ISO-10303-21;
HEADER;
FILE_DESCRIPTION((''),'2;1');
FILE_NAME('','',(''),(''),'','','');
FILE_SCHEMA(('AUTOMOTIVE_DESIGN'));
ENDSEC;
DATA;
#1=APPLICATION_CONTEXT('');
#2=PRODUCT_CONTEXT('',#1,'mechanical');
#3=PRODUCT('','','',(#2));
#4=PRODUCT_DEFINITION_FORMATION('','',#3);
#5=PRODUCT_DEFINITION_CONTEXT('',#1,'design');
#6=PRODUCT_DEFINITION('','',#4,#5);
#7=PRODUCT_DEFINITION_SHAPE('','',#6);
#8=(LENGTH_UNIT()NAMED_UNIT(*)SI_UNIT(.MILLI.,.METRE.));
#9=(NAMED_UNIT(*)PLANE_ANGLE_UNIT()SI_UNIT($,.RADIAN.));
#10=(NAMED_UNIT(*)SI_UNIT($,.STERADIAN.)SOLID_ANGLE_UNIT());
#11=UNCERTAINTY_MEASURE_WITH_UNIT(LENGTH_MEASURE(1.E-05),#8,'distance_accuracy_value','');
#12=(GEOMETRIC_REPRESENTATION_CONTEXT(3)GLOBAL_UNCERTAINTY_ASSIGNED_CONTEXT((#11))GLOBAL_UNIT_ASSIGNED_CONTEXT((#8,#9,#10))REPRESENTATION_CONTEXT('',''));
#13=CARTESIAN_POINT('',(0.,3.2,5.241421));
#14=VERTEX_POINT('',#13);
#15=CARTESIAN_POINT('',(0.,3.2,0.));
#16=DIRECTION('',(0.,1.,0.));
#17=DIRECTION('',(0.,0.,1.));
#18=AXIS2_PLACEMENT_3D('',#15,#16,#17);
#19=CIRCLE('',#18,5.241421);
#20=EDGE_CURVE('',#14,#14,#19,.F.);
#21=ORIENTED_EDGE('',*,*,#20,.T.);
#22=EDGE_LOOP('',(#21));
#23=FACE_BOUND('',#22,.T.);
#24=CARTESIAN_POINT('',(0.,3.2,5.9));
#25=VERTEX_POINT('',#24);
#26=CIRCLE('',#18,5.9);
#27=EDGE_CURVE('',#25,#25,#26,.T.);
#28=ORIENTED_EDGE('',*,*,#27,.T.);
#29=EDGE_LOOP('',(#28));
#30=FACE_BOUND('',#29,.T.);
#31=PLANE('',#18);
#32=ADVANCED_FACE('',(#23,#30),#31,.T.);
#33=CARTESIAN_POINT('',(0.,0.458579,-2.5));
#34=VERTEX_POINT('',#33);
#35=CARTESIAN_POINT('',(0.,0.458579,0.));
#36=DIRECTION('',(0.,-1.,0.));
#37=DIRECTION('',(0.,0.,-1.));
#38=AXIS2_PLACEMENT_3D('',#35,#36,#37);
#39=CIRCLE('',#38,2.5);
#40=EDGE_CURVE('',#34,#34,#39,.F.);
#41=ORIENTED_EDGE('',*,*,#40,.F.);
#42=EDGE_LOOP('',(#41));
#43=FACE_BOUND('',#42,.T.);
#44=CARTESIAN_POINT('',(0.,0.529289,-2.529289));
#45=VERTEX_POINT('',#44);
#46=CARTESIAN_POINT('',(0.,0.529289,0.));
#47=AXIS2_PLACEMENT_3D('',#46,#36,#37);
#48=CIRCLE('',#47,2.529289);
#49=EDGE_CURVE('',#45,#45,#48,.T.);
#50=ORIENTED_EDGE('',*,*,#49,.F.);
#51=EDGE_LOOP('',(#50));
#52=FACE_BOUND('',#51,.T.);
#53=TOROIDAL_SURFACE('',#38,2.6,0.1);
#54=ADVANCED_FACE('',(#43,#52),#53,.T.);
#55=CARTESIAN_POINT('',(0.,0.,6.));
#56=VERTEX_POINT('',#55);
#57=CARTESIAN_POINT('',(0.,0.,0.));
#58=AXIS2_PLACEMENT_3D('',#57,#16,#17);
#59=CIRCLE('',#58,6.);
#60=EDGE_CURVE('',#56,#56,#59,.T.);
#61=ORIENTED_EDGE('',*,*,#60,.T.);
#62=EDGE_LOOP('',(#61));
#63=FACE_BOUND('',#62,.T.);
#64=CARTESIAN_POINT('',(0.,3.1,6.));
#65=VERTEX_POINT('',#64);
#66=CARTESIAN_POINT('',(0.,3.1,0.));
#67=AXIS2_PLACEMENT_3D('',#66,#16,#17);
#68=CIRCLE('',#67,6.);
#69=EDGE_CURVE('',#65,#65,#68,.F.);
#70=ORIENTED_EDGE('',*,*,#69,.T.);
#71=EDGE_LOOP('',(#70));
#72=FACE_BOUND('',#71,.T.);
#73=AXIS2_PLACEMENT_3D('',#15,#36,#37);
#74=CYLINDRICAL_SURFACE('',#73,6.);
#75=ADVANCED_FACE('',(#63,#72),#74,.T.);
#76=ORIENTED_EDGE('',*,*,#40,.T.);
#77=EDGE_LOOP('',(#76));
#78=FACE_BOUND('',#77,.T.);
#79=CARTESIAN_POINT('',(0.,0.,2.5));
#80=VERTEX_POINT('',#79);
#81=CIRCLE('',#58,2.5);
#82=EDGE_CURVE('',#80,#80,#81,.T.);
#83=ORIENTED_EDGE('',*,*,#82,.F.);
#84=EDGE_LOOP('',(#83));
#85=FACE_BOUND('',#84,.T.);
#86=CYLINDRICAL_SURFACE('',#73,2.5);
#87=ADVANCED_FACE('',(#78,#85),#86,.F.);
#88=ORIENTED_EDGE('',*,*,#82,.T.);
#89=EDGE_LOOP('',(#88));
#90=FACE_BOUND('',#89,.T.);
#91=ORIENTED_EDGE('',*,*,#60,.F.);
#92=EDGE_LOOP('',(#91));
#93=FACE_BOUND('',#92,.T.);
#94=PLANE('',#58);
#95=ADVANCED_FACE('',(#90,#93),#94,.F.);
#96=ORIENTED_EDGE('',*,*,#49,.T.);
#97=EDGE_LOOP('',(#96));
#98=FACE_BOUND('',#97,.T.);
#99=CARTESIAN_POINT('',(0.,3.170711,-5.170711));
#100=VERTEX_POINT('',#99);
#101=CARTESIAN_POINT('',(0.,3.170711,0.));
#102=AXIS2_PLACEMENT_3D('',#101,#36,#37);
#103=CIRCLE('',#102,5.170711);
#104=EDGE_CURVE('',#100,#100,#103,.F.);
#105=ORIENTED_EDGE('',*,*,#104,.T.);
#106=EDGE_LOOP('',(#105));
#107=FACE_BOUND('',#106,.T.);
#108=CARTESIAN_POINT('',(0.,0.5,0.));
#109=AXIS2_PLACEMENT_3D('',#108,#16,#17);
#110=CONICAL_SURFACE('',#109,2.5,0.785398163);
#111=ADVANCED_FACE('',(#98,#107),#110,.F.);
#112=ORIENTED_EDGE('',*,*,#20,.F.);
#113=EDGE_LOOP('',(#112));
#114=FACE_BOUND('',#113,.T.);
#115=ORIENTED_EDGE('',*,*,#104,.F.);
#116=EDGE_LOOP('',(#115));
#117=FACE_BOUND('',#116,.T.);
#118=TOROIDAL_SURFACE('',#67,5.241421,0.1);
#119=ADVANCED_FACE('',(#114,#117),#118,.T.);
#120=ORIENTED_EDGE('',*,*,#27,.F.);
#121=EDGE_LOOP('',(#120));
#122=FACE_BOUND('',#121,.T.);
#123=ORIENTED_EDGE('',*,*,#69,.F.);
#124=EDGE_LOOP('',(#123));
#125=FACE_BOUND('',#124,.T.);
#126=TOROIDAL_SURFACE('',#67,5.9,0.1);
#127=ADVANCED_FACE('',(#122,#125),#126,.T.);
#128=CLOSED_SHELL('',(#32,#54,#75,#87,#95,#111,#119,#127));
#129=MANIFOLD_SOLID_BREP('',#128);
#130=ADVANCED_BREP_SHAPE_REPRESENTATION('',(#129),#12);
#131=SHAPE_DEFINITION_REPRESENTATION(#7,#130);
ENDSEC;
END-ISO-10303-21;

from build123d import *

# Parameters (mm, degrees)
SKETCH_1_R      = 6
SKETCH_1_R_2    = 2.5
EXTRUDE_1_DEPTH = 3.2
CHAMFER_1_SIZE  = 2.7
FILLET_1_R      = 0.1


with BuildPart() as part:
    # 草图1 → 凸台-拉伸1 (new body)
    with BuildSketch(Plane(origin=(0, 0, 0), x_dir=(1, 0, 0), z_dir=(0, 1, 0))):
        with Locations(Location((0, 0, 0), (0, 0, 270))):
            Circle(SKETCH_1_R)
        with Locations(Location((0, 0, 0), (0, 0, 270))):
            Circle(SKETCH_1_R_2, mode=Mode.SUBTRACT)
    extrude(amount=EXTRUDE_1_DEPTH)

    # 倒角1
    chamfer_1_edges = [part.edges().sort_by_distance(p)[0] for p in [
        (0, 3.2, -2.5),
    ]]
    chamfer(chamfer_1_edges, length=CHAMFER_1_SIZE)

    # 圆角1
    fillet_1_edges = [part.edges().sort_by_distance(p)[0] for p in [
        (0, 3.2, -5.2),
        (0, 3.2, -6),
        (0, 0.5, -2.5),
    ]]
    fillet(fillet_1_edges, radius=FILLET_1_R)


solid = part.part
